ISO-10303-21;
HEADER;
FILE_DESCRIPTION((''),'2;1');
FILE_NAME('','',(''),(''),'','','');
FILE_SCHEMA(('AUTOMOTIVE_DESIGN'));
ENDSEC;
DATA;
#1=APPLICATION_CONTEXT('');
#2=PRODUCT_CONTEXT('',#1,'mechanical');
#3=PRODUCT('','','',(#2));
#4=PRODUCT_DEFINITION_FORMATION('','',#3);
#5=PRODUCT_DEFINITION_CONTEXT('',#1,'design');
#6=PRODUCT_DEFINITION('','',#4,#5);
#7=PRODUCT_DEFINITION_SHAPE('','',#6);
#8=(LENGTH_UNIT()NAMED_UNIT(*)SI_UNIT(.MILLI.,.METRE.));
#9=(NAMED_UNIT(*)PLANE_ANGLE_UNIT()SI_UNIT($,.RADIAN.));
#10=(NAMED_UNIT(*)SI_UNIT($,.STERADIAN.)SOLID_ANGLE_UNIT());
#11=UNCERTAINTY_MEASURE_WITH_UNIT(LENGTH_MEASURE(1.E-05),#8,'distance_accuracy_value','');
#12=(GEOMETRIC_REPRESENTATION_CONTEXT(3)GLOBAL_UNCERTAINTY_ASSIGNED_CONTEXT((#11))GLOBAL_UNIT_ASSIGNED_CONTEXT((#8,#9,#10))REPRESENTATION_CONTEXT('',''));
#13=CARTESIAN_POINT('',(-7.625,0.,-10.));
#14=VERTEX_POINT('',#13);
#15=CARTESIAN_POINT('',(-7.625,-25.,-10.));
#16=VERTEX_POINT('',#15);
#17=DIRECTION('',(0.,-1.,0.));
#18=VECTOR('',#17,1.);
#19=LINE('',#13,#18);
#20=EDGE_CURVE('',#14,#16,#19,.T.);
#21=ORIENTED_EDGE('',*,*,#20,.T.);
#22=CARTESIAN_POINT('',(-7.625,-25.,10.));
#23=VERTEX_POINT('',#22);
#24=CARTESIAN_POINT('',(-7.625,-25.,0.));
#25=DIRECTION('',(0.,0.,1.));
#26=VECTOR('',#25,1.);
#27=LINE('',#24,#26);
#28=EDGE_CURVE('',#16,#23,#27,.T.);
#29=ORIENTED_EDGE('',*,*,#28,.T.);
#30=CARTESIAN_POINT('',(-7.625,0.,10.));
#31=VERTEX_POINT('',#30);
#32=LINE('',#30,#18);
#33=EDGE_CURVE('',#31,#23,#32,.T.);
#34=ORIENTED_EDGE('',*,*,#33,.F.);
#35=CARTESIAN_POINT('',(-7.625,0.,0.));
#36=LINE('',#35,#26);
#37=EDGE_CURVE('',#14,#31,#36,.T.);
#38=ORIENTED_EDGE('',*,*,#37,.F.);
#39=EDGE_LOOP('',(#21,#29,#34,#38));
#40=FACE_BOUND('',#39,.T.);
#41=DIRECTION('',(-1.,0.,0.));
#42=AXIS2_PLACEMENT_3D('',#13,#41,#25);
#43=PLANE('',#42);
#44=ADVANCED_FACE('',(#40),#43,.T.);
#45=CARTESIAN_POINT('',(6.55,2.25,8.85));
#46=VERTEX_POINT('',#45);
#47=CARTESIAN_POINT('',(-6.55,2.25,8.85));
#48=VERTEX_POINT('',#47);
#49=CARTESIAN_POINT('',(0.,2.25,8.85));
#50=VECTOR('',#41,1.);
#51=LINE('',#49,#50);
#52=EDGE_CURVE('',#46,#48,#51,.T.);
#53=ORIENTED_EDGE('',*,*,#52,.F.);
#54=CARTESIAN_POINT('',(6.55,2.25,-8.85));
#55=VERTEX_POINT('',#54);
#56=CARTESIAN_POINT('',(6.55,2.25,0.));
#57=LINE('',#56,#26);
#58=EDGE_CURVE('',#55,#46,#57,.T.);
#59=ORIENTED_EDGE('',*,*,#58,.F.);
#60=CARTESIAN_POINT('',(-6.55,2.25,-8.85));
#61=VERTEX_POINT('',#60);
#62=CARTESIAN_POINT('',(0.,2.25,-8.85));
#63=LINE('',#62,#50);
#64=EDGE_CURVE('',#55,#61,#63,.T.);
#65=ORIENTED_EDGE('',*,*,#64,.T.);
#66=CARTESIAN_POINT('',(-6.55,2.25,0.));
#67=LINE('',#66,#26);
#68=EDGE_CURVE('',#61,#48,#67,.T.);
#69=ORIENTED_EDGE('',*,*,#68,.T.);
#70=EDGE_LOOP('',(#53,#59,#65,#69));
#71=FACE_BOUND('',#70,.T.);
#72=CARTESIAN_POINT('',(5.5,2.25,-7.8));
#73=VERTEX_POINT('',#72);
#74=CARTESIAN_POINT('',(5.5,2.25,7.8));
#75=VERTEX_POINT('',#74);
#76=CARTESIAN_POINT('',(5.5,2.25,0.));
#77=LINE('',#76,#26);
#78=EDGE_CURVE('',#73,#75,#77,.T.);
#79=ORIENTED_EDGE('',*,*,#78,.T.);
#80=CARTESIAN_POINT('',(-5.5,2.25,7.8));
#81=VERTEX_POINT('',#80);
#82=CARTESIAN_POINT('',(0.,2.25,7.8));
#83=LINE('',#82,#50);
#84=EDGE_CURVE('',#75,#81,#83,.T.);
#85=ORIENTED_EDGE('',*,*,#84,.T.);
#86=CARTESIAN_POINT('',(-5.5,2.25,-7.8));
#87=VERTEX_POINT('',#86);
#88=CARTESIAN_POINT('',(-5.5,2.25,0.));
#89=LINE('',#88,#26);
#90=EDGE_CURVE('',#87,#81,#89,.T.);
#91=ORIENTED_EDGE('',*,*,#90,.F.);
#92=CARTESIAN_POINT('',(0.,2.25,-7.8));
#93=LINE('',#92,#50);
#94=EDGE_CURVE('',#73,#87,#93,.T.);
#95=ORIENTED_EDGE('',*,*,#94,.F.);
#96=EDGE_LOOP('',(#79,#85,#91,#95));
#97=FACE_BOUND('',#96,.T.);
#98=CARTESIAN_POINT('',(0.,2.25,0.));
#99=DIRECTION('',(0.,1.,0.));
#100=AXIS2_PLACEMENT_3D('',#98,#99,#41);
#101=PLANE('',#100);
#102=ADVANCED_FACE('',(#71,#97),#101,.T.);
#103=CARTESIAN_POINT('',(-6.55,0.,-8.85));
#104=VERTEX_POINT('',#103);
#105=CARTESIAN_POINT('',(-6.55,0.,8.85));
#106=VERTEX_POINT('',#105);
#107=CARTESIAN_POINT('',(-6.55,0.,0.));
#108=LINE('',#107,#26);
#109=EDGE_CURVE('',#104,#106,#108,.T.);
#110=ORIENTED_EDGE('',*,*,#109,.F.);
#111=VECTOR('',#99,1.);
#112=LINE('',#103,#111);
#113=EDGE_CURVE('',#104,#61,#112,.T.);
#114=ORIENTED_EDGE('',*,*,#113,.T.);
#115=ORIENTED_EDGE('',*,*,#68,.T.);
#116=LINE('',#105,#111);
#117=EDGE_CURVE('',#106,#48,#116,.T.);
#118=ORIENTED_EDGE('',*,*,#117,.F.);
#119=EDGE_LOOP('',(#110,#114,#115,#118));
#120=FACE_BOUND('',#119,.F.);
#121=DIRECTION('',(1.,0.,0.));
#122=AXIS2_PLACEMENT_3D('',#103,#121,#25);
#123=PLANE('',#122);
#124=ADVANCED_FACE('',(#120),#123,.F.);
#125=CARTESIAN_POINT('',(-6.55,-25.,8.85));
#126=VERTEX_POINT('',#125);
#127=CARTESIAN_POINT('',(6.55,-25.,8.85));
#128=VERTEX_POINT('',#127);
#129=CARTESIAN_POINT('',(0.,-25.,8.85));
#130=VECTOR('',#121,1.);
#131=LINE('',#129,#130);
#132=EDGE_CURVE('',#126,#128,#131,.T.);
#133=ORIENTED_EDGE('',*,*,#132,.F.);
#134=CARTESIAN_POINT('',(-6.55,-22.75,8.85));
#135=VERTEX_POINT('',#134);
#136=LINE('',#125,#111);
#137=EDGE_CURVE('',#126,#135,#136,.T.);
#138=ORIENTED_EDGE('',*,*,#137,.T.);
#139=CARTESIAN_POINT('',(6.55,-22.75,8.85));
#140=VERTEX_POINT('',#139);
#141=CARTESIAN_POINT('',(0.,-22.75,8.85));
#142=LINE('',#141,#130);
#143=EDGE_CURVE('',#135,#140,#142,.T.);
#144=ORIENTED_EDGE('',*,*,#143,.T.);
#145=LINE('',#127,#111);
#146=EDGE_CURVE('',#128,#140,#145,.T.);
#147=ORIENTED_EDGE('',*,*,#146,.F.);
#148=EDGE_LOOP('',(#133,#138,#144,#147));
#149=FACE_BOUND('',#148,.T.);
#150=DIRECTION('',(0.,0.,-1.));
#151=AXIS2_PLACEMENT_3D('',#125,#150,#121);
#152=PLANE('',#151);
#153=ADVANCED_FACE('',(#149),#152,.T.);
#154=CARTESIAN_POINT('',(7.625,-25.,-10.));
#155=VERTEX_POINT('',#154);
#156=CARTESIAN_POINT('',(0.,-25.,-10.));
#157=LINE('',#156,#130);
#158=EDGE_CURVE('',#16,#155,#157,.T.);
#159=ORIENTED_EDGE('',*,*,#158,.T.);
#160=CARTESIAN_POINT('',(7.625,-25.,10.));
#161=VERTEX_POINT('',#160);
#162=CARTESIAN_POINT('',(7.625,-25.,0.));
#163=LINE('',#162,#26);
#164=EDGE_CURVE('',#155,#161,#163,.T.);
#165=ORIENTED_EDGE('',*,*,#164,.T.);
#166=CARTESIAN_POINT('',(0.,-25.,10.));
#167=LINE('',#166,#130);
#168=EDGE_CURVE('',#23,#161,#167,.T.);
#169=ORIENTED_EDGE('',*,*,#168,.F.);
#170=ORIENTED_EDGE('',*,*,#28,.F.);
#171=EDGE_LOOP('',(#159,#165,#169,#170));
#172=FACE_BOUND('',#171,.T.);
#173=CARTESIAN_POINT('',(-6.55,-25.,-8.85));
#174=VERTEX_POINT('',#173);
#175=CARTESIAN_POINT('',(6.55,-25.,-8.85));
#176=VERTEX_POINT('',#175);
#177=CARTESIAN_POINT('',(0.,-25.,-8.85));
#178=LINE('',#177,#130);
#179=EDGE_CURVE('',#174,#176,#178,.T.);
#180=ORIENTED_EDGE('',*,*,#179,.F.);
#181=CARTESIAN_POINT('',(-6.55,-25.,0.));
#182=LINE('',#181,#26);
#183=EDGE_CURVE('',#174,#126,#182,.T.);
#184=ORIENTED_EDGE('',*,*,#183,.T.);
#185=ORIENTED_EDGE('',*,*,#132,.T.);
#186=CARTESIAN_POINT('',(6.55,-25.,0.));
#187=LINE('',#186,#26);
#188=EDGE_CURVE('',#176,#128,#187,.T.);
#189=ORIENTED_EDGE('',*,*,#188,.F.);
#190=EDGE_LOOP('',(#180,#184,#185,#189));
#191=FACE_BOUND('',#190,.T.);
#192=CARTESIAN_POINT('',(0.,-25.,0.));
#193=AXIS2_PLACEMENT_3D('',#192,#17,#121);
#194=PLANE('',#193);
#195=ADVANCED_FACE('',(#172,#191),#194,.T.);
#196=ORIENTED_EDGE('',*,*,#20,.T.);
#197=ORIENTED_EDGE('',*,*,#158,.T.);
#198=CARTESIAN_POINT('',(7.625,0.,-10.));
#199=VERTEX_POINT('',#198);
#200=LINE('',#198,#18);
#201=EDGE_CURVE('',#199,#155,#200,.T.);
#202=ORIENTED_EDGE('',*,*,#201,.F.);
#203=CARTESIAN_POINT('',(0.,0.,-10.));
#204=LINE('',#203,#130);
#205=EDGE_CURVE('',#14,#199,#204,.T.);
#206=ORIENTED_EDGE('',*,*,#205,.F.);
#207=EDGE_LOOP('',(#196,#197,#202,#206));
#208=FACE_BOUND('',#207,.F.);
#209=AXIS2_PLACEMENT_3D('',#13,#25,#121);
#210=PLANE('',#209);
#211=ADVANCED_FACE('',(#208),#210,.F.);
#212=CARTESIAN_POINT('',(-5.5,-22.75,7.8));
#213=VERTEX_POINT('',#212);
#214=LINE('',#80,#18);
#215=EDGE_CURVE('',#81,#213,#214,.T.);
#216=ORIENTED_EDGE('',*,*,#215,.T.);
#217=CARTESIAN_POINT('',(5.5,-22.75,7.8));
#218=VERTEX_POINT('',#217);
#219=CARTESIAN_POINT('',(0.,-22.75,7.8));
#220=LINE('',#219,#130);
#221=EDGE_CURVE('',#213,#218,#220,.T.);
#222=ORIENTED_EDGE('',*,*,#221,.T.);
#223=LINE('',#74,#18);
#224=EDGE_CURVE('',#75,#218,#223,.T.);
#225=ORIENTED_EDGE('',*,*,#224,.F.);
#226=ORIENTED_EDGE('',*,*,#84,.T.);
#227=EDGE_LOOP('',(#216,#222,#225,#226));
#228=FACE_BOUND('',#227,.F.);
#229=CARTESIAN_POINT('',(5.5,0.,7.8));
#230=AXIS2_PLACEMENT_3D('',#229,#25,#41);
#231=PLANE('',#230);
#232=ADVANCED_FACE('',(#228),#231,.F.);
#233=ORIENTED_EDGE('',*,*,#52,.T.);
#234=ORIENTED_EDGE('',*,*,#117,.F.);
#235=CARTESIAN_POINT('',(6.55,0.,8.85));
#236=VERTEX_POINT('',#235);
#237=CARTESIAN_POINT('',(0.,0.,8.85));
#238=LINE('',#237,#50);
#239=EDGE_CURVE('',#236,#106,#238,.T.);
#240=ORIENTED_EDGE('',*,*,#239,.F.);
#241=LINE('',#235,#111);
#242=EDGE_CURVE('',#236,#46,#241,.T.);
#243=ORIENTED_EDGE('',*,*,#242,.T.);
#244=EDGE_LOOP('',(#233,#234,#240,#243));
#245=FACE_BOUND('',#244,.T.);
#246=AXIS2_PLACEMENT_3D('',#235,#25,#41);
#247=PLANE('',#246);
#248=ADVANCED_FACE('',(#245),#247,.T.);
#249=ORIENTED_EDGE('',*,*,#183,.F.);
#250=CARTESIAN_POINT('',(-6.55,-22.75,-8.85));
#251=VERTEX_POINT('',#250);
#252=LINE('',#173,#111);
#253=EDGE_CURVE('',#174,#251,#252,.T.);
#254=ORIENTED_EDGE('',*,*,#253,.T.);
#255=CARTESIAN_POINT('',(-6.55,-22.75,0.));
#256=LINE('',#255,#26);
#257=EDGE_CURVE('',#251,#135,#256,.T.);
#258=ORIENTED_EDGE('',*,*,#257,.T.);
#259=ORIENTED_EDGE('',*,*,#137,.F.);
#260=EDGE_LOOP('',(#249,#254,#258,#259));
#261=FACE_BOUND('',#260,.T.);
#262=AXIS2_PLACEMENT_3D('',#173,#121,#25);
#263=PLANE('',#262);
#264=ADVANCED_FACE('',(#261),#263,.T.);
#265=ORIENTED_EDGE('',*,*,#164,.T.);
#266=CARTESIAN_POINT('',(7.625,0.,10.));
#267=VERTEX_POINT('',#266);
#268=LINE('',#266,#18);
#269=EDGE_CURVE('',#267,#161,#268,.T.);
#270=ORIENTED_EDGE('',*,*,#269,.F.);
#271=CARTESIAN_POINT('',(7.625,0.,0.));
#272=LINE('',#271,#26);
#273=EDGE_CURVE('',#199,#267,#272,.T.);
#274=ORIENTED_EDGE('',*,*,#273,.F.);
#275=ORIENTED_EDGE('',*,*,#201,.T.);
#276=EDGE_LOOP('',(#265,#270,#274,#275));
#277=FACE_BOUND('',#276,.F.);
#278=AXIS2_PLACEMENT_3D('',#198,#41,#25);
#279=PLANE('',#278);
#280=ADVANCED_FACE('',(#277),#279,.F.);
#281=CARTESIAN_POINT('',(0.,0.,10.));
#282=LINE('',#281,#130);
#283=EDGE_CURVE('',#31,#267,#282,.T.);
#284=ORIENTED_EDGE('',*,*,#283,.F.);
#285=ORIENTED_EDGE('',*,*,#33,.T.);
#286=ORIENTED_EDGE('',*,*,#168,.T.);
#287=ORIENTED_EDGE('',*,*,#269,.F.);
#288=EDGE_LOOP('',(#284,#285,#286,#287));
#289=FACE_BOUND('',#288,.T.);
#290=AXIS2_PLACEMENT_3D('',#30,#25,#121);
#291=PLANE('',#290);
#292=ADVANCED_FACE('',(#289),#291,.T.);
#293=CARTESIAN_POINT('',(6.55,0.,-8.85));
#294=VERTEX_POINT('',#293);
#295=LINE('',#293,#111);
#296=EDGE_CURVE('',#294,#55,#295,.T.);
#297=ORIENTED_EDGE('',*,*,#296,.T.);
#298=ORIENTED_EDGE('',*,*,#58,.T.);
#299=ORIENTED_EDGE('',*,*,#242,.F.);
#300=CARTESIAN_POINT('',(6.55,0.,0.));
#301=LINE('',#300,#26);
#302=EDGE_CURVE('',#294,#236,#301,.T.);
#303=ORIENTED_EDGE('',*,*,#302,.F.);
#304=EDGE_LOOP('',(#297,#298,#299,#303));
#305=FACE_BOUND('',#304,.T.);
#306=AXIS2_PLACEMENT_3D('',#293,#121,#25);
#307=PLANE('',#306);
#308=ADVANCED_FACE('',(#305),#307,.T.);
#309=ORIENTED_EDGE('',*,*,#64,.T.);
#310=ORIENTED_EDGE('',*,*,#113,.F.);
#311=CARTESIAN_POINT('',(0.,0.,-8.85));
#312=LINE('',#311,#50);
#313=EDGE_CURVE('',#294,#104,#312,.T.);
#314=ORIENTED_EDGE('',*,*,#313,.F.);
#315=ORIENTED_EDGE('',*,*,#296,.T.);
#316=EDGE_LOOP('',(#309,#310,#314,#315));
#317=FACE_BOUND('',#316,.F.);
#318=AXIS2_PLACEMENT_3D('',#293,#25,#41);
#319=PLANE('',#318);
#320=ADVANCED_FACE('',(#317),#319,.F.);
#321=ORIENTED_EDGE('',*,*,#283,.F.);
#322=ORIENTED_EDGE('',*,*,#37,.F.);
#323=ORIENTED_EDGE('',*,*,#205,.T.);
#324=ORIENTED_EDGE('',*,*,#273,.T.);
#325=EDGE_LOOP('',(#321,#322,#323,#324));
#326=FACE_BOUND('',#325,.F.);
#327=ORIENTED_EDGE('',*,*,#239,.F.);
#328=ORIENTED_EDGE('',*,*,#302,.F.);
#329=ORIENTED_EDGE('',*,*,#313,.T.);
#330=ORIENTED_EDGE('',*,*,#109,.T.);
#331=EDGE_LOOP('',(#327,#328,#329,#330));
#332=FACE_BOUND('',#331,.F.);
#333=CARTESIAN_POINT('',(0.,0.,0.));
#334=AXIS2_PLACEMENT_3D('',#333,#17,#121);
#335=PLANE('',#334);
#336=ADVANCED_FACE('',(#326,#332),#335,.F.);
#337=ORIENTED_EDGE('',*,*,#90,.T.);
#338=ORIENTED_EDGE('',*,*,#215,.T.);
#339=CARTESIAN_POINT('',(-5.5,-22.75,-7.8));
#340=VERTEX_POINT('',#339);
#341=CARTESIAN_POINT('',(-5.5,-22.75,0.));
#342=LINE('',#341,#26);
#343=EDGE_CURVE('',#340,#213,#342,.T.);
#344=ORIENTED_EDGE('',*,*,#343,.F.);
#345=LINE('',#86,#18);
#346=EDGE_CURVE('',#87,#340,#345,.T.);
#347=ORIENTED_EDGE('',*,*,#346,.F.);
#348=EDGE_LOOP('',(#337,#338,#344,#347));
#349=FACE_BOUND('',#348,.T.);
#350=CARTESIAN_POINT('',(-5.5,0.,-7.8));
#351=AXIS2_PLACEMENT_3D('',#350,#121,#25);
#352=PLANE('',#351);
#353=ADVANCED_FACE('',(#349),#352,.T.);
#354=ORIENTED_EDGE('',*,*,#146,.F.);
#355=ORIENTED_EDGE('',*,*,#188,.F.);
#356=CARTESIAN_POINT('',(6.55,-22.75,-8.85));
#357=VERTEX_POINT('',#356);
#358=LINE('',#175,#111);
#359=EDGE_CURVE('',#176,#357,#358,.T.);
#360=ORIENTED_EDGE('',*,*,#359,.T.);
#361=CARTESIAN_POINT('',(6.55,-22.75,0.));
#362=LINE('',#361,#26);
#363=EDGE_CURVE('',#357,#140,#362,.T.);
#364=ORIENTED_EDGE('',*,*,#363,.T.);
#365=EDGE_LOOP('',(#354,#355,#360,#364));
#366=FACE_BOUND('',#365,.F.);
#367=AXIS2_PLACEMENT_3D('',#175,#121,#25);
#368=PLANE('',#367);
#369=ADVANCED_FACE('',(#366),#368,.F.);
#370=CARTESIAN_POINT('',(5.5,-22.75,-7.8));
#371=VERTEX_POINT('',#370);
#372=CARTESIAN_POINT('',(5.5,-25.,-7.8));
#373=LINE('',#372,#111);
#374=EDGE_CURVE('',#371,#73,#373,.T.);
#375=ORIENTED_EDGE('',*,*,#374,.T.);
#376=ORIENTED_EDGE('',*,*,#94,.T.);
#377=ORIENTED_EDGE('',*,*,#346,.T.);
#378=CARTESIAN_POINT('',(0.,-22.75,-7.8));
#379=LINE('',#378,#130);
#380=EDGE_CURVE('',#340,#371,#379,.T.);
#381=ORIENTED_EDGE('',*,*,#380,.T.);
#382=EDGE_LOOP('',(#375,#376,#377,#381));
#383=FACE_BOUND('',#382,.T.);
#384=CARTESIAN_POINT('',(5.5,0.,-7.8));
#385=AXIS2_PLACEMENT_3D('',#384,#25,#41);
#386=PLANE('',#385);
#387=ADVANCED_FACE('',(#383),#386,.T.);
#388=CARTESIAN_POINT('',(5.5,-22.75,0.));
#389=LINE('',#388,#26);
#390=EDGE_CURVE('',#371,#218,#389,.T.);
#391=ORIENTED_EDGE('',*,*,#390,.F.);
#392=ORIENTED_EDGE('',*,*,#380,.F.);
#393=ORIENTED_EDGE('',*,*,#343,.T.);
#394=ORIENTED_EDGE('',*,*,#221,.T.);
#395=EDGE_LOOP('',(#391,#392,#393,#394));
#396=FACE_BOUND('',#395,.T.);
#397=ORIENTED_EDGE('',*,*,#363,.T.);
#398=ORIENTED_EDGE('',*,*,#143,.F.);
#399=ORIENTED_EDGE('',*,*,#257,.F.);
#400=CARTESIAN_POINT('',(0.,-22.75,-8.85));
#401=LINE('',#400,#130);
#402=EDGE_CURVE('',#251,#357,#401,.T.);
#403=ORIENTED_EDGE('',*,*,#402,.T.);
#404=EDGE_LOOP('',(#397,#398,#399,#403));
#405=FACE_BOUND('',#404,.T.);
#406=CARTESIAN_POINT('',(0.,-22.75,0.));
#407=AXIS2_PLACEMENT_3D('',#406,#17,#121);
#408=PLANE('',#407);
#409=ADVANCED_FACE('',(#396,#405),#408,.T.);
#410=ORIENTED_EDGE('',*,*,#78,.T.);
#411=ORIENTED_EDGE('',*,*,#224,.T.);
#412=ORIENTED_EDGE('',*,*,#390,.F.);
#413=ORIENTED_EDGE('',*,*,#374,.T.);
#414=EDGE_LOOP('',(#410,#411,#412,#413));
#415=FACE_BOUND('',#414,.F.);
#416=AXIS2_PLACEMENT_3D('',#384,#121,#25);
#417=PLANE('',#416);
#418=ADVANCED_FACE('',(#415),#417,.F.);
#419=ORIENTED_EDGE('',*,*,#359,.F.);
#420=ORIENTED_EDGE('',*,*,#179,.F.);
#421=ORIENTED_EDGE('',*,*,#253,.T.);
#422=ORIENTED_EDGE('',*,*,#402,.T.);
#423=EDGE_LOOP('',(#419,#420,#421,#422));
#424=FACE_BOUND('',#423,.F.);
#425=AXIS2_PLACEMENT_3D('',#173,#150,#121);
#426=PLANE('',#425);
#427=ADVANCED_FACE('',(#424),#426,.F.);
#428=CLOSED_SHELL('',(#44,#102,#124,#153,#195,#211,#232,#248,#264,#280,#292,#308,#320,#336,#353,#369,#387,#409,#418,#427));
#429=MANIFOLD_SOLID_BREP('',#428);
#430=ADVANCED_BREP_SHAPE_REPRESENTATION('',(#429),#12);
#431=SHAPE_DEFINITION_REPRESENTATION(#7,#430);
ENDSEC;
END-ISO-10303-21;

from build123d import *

# Parameters (mm, degrees)
F0_W     = 15.25
F0_H     = 20
F0_W_2   = 11
F0_H_2   = 15.6
F1_DEPTH = 25
F2_W     = 13.1
F2_H     = 17.7
F2_W_2   = 11
F2_H_2   = 15.6
F3_DEPTH = 2.25
F4_W     = 13.1
F4_H     = 17.7
F4_W_2   = 11
F4_H_2   = 15.6
F5_DEPTH = 2.25


with BuildPart() as f1:
    # F0 (on Front) → F1 (new body)
    with BuildSketch(Plane.XZ):
        Rectangle(F0_W, F0_H)
        Rectangle(F0_W_2, F0_H_2, mode=Mode.SUBTRACT)
    extrude(amount=F1_DEPTH)

    # F2 (on face) → F3 (join)
    with BuildSketch(Plane(origin=(0, 0, 0), x_dir=(-1, 0, 0), z_dir=(0, 1, 0))):
        Rectangle(F2_W, F2_H)
        Rectangle(F2_W_2, F2_H_2, mode=Mode.SUBTRACT)
    extrude(amount=F3_DEPTH)

    # F4 (on face) → F5 (cut)
    with BuildSketch(Plane.XZ.offset(25)):
        Rectangle(F4_W, F4_H)
        Rectangle(F4_W_2, F4_H_2, mode=Mode.SUBTRACT)
    extrude(amount=-F5_DEPTH, mode=Mode.SUBTRACT)


solid = f1.part
